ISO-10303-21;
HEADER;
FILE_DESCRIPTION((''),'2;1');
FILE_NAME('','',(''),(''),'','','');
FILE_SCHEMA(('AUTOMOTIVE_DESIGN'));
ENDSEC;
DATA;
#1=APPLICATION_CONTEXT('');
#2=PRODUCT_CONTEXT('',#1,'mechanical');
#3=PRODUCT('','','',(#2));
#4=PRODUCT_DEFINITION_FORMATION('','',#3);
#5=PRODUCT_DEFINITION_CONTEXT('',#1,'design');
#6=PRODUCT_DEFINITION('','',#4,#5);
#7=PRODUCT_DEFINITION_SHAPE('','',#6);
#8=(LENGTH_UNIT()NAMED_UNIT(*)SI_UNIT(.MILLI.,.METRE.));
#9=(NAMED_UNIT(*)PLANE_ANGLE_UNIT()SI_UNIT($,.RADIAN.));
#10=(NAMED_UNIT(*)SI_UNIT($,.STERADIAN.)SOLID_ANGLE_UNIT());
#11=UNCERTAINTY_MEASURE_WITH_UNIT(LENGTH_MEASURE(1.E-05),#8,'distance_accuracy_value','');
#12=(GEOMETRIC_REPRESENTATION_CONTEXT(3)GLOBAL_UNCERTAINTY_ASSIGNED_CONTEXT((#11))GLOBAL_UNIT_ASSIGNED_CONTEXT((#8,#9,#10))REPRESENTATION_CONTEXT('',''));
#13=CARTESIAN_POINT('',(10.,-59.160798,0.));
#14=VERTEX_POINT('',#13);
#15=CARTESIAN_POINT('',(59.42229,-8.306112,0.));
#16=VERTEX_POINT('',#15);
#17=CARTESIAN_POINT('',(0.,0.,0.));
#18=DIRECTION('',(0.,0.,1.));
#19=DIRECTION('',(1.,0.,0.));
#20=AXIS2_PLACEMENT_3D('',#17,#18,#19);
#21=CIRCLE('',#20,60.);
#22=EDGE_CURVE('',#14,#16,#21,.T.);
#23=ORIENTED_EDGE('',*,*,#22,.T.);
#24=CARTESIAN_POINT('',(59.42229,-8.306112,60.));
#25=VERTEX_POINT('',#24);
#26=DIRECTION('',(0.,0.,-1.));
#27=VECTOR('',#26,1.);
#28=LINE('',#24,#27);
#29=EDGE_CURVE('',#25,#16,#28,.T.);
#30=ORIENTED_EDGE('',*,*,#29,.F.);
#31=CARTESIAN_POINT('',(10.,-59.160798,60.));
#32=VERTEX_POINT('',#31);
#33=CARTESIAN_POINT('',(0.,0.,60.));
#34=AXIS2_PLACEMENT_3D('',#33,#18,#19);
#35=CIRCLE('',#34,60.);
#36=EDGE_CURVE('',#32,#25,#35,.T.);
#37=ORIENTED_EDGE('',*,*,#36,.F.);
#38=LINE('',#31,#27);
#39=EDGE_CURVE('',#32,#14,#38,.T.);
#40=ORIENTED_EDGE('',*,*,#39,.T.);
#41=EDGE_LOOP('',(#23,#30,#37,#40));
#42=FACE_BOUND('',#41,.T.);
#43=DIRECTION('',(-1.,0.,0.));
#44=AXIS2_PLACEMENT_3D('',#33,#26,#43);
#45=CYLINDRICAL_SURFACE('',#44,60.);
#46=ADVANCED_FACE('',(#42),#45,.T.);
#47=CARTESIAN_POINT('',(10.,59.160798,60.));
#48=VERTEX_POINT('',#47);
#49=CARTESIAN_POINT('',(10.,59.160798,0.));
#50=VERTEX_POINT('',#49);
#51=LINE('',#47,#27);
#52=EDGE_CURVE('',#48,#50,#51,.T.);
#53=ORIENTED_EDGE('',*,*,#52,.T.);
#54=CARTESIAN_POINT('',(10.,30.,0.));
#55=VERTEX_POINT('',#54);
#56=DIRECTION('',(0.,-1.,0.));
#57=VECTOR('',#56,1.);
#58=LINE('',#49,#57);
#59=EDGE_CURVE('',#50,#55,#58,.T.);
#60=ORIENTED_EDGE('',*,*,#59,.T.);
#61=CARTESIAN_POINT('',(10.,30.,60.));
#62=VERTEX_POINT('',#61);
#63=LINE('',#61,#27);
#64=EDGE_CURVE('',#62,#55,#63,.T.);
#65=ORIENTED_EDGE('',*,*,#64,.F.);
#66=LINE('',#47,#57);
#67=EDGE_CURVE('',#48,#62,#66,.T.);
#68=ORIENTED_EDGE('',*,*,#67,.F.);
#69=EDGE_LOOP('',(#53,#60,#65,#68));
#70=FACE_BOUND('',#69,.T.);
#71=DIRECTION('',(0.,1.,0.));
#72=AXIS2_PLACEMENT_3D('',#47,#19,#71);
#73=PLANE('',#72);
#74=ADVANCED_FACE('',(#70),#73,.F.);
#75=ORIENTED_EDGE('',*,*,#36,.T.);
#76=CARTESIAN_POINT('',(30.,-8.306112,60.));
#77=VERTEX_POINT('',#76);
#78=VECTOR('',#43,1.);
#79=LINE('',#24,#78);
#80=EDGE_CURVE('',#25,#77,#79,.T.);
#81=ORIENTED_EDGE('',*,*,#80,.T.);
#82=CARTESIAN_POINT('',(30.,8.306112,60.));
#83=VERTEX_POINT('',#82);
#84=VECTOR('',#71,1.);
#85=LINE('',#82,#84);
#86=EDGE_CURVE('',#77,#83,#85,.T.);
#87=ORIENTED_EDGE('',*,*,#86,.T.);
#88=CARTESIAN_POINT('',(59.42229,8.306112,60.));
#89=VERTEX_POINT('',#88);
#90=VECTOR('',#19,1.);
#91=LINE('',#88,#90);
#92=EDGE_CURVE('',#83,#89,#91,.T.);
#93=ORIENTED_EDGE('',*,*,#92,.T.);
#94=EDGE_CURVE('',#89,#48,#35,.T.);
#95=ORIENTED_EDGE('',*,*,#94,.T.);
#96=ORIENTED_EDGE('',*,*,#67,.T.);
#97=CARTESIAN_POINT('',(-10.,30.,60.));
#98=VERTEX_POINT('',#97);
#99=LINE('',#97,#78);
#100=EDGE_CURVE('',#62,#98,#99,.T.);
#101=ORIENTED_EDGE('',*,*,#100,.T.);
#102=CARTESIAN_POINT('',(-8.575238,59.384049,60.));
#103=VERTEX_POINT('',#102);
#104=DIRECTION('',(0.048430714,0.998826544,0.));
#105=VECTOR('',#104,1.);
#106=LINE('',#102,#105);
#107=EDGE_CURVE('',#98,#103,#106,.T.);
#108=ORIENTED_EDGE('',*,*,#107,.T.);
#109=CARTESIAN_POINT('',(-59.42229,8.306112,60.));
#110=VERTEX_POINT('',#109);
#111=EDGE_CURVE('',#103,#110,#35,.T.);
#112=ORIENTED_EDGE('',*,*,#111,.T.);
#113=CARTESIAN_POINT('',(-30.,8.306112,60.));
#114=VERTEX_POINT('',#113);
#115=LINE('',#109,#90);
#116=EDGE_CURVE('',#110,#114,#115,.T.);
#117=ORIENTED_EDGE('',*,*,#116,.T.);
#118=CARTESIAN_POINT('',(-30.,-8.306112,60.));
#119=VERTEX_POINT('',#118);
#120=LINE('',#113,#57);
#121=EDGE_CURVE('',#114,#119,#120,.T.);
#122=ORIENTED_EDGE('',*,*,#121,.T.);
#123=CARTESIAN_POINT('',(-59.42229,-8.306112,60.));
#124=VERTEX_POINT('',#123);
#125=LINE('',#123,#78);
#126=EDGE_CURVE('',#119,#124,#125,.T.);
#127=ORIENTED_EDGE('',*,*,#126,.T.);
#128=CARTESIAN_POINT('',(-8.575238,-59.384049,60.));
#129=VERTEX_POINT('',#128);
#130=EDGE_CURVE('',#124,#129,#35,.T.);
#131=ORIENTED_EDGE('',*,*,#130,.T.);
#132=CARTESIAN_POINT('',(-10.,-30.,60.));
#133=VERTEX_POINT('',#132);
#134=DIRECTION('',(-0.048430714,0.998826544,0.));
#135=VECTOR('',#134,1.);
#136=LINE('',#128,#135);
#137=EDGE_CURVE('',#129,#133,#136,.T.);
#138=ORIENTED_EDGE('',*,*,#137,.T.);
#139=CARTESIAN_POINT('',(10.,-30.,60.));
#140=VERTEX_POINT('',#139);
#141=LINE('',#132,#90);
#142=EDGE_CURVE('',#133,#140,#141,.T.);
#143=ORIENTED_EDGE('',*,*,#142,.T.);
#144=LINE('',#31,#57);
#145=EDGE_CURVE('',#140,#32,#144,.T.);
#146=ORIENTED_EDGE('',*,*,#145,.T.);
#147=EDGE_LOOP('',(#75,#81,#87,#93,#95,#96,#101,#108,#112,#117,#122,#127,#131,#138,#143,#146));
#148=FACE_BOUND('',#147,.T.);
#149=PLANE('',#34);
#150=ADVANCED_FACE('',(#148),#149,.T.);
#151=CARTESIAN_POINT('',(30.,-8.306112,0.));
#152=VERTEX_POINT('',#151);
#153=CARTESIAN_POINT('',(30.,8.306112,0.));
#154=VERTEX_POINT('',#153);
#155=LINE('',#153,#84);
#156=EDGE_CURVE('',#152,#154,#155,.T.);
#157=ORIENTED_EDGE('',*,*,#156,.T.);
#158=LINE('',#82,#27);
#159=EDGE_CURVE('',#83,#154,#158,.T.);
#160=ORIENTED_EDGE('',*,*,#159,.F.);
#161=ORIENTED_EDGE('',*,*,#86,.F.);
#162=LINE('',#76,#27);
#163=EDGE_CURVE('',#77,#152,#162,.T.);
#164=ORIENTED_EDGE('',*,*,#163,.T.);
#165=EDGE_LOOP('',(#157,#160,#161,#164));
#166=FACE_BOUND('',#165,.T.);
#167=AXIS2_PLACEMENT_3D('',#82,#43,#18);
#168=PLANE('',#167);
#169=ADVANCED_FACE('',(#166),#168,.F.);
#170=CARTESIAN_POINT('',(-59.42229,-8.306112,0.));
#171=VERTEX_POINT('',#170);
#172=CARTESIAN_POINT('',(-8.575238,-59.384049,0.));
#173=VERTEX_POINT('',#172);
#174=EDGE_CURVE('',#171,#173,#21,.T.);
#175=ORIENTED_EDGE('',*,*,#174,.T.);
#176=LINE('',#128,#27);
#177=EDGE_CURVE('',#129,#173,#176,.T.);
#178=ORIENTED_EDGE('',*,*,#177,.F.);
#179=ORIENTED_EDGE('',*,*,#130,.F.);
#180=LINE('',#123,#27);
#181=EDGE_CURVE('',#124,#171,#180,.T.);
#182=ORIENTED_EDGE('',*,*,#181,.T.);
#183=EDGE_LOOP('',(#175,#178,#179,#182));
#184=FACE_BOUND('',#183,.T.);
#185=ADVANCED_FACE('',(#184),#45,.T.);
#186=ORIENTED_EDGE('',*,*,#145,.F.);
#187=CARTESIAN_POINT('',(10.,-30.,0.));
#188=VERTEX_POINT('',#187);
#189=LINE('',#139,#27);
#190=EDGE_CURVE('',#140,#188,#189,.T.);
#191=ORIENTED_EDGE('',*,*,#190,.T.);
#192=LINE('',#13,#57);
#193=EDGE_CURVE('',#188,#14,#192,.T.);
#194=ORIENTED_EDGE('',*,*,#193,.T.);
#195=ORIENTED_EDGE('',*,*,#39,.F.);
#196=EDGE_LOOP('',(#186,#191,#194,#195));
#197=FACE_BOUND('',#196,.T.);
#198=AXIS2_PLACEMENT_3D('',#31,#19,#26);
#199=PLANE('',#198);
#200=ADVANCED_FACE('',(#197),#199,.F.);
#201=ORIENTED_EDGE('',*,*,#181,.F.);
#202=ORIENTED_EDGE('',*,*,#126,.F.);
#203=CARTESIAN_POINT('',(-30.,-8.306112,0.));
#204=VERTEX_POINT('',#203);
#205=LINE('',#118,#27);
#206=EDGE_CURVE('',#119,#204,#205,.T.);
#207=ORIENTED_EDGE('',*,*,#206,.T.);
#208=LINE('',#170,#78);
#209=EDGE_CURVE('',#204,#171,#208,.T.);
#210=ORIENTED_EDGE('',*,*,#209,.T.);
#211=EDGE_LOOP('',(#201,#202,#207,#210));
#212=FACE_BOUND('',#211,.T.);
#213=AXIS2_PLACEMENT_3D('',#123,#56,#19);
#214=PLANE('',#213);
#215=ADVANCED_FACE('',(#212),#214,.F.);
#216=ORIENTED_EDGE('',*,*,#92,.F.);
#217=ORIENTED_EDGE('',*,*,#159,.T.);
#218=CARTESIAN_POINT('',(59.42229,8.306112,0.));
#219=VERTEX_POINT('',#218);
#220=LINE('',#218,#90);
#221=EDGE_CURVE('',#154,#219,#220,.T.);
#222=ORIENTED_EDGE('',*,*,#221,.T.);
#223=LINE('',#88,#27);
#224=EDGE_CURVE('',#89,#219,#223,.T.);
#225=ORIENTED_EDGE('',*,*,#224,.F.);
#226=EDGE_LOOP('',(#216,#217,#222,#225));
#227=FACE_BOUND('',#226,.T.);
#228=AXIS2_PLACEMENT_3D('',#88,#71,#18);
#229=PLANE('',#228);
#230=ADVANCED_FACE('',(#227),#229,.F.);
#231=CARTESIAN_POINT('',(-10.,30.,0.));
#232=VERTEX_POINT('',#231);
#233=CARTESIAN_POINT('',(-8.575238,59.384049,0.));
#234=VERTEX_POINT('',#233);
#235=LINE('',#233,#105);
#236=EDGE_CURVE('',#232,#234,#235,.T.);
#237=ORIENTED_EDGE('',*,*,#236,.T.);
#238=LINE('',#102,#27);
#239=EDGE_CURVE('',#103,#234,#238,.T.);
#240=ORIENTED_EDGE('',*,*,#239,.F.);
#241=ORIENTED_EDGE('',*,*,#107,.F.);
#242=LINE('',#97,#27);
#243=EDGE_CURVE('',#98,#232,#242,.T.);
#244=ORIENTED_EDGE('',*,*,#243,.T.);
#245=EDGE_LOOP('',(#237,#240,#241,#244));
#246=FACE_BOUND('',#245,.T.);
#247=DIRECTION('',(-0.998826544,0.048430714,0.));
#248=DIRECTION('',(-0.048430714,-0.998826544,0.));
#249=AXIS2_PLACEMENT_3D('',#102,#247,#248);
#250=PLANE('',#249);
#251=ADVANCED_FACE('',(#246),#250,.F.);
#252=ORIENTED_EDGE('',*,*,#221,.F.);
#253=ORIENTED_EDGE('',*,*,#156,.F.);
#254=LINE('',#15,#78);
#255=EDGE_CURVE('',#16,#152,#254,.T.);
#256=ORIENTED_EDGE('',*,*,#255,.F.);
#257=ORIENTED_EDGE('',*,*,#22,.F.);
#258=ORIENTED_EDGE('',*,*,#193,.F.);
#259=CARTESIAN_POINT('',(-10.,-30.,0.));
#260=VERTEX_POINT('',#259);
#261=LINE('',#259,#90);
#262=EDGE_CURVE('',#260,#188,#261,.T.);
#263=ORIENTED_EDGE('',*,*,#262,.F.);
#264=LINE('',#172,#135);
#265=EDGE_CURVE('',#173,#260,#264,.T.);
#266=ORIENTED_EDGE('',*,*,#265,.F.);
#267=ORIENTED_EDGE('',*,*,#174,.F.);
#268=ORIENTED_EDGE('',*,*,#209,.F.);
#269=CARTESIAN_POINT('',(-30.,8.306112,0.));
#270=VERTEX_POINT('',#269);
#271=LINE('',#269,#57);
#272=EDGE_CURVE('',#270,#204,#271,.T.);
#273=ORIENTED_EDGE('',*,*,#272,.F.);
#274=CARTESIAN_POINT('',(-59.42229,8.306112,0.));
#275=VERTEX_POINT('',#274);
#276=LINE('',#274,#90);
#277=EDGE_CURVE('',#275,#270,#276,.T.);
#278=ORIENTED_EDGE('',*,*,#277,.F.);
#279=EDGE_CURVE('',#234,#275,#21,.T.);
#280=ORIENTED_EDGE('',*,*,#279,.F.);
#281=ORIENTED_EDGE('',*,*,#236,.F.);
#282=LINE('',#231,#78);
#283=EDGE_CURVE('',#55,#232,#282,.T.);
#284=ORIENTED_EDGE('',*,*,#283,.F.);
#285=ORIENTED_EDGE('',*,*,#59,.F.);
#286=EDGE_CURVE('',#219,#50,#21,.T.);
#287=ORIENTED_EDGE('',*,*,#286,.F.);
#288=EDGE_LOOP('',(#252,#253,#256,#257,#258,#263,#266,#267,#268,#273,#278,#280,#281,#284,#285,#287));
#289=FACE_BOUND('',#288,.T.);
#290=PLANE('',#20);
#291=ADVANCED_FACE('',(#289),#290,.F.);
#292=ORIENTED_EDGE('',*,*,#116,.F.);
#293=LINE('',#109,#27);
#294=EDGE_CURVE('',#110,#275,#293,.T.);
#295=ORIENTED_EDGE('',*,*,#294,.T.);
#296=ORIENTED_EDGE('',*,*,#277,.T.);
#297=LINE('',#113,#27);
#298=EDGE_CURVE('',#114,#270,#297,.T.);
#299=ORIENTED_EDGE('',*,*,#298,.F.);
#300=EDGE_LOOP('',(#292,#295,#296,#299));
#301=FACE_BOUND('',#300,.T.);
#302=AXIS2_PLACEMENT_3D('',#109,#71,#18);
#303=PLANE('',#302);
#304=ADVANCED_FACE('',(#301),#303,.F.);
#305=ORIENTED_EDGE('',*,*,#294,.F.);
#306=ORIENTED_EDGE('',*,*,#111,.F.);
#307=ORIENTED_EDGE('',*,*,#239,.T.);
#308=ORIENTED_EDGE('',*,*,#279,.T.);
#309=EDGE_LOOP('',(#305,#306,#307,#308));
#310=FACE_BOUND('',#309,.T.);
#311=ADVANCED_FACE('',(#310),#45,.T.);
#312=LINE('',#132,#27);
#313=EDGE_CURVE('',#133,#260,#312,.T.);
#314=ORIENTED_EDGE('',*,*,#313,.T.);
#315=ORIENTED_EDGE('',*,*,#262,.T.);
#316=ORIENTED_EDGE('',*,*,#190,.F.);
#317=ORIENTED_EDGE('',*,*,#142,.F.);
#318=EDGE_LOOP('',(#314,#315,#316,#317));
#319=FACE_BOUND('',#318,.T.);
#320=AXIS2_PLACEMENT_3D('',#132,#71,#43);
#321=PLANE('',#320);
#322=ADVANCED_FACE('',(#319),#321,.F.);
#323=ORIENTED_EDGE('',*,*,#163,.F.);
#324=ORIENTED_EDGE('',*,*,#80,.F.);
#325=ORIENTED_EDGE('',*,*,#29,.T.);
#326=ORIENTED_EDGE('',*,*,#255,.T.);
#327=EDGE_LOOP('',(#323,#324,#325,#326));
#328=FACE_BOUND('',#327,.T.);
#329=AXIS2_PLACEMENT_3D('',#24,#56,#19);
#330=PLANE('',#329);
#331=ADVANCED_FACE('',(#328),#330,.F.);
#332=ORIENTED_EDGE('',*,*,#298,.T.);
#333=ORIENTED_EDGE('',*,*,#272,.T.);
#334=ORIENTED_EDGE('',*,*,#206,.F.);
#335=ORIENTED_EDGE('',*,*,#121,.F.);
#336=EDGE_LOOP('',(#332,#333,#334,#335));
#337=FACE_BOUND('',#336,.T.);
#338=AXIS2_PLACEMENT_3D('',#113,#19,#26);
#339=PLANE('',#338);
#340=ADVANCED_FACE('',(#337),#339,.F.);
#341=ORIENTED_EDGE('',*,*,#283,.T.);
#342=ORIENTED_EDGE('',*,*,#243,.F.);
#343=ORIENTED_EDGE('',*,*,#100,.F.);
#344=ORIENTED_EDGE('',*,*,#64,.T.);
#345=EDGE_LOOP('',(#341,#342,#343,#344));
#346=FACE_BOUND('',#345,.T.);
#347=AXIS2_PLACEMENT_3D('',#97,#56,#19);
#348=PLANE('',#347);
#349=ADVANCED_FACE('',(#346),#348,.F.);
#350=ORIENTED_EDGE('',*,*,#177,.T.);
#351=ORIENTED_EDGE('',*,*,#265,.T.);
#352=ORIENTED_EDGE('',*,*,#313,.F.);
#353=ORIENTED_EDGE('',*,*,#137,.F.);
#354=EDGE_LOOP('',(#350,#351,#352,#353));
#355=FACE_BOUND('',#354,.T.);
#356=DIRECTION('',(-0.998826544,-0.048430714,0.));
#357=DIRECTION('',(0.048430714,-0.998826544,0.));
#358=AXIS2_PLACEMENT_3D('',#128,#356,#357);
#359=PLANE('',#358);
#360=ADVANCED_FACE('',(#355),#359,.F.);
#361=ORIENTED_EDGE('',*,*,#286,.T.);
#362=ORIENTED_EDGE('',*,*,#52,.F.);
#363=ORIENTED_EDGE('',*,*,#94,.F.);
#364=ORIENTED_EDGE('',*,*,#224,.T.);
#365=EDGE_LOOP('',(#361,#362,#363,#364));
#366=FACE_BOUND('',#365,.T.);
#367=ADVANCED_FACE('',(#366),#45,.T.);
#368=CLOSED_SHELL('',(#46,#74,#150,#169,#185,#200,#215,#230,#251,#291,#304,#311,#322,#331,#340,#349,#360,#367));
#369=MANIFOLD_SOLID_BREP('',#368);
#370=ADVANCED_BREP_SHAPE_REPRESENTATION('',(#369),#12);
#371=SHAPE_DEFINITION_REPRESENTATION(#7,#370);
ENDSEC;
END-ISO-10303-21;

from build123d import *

# Parameters (mm, degrees)
SALIENTE_EXTRUIR1_DEPTH = 60


with BuildPart() as part:
    # Croquis1 → Saliente-Extruir1 (new body)
    with BuildSketch(Plane.XY):
        with BuildLine():
            Line((-8.57523763, 59.384049202), (-10, 30))
            Line((-10, 30), (10, 30))
            Line((10, 30), (10, 59.160797831))
            ThreePointArc((10, 59.160797831), (43.028053102, 41.816105106), (59.422289674, 8.306111602))
            Line((59.422289674, 8.306111602), (30, 8.306111602))
            Line((30, 8.306111602), (30, -8.306111602))
            Line((30, -8.306111602), (59.422289674, -8.306111602))
            ThreePointArc((59.422289674, -8.306111602), (43.028053102, -41.816105106), (10, -59.160797831))
            Line((10, -59.160797831), (10, -30))
            Line((10, -30), (-10, -30))
            Line((-10, -30), (-8.57523763, -59.384049202))
            ThreePointArc((-8.57523763, -59.384049202), (-42.52240418, -42.330191858), (-59.422289674, -8.306111602))
            Line((-59.422289674, -8.306111602), (-30, -8.306111602))
            Line((-30, -8.306111602), (-30, 8.306111602))
            Line((-30, 8.306111602), (-59.422289674, 8.306111602))
            ThreePointArc((-59.422289674, 8.306111602), (-42.52240418, 42.330191858), (-8.57523763, 59.384049202))
        make_face()
    extrude(amount=SALIENTE_EXTRUIR1_DEPTH)


solid = part.part
